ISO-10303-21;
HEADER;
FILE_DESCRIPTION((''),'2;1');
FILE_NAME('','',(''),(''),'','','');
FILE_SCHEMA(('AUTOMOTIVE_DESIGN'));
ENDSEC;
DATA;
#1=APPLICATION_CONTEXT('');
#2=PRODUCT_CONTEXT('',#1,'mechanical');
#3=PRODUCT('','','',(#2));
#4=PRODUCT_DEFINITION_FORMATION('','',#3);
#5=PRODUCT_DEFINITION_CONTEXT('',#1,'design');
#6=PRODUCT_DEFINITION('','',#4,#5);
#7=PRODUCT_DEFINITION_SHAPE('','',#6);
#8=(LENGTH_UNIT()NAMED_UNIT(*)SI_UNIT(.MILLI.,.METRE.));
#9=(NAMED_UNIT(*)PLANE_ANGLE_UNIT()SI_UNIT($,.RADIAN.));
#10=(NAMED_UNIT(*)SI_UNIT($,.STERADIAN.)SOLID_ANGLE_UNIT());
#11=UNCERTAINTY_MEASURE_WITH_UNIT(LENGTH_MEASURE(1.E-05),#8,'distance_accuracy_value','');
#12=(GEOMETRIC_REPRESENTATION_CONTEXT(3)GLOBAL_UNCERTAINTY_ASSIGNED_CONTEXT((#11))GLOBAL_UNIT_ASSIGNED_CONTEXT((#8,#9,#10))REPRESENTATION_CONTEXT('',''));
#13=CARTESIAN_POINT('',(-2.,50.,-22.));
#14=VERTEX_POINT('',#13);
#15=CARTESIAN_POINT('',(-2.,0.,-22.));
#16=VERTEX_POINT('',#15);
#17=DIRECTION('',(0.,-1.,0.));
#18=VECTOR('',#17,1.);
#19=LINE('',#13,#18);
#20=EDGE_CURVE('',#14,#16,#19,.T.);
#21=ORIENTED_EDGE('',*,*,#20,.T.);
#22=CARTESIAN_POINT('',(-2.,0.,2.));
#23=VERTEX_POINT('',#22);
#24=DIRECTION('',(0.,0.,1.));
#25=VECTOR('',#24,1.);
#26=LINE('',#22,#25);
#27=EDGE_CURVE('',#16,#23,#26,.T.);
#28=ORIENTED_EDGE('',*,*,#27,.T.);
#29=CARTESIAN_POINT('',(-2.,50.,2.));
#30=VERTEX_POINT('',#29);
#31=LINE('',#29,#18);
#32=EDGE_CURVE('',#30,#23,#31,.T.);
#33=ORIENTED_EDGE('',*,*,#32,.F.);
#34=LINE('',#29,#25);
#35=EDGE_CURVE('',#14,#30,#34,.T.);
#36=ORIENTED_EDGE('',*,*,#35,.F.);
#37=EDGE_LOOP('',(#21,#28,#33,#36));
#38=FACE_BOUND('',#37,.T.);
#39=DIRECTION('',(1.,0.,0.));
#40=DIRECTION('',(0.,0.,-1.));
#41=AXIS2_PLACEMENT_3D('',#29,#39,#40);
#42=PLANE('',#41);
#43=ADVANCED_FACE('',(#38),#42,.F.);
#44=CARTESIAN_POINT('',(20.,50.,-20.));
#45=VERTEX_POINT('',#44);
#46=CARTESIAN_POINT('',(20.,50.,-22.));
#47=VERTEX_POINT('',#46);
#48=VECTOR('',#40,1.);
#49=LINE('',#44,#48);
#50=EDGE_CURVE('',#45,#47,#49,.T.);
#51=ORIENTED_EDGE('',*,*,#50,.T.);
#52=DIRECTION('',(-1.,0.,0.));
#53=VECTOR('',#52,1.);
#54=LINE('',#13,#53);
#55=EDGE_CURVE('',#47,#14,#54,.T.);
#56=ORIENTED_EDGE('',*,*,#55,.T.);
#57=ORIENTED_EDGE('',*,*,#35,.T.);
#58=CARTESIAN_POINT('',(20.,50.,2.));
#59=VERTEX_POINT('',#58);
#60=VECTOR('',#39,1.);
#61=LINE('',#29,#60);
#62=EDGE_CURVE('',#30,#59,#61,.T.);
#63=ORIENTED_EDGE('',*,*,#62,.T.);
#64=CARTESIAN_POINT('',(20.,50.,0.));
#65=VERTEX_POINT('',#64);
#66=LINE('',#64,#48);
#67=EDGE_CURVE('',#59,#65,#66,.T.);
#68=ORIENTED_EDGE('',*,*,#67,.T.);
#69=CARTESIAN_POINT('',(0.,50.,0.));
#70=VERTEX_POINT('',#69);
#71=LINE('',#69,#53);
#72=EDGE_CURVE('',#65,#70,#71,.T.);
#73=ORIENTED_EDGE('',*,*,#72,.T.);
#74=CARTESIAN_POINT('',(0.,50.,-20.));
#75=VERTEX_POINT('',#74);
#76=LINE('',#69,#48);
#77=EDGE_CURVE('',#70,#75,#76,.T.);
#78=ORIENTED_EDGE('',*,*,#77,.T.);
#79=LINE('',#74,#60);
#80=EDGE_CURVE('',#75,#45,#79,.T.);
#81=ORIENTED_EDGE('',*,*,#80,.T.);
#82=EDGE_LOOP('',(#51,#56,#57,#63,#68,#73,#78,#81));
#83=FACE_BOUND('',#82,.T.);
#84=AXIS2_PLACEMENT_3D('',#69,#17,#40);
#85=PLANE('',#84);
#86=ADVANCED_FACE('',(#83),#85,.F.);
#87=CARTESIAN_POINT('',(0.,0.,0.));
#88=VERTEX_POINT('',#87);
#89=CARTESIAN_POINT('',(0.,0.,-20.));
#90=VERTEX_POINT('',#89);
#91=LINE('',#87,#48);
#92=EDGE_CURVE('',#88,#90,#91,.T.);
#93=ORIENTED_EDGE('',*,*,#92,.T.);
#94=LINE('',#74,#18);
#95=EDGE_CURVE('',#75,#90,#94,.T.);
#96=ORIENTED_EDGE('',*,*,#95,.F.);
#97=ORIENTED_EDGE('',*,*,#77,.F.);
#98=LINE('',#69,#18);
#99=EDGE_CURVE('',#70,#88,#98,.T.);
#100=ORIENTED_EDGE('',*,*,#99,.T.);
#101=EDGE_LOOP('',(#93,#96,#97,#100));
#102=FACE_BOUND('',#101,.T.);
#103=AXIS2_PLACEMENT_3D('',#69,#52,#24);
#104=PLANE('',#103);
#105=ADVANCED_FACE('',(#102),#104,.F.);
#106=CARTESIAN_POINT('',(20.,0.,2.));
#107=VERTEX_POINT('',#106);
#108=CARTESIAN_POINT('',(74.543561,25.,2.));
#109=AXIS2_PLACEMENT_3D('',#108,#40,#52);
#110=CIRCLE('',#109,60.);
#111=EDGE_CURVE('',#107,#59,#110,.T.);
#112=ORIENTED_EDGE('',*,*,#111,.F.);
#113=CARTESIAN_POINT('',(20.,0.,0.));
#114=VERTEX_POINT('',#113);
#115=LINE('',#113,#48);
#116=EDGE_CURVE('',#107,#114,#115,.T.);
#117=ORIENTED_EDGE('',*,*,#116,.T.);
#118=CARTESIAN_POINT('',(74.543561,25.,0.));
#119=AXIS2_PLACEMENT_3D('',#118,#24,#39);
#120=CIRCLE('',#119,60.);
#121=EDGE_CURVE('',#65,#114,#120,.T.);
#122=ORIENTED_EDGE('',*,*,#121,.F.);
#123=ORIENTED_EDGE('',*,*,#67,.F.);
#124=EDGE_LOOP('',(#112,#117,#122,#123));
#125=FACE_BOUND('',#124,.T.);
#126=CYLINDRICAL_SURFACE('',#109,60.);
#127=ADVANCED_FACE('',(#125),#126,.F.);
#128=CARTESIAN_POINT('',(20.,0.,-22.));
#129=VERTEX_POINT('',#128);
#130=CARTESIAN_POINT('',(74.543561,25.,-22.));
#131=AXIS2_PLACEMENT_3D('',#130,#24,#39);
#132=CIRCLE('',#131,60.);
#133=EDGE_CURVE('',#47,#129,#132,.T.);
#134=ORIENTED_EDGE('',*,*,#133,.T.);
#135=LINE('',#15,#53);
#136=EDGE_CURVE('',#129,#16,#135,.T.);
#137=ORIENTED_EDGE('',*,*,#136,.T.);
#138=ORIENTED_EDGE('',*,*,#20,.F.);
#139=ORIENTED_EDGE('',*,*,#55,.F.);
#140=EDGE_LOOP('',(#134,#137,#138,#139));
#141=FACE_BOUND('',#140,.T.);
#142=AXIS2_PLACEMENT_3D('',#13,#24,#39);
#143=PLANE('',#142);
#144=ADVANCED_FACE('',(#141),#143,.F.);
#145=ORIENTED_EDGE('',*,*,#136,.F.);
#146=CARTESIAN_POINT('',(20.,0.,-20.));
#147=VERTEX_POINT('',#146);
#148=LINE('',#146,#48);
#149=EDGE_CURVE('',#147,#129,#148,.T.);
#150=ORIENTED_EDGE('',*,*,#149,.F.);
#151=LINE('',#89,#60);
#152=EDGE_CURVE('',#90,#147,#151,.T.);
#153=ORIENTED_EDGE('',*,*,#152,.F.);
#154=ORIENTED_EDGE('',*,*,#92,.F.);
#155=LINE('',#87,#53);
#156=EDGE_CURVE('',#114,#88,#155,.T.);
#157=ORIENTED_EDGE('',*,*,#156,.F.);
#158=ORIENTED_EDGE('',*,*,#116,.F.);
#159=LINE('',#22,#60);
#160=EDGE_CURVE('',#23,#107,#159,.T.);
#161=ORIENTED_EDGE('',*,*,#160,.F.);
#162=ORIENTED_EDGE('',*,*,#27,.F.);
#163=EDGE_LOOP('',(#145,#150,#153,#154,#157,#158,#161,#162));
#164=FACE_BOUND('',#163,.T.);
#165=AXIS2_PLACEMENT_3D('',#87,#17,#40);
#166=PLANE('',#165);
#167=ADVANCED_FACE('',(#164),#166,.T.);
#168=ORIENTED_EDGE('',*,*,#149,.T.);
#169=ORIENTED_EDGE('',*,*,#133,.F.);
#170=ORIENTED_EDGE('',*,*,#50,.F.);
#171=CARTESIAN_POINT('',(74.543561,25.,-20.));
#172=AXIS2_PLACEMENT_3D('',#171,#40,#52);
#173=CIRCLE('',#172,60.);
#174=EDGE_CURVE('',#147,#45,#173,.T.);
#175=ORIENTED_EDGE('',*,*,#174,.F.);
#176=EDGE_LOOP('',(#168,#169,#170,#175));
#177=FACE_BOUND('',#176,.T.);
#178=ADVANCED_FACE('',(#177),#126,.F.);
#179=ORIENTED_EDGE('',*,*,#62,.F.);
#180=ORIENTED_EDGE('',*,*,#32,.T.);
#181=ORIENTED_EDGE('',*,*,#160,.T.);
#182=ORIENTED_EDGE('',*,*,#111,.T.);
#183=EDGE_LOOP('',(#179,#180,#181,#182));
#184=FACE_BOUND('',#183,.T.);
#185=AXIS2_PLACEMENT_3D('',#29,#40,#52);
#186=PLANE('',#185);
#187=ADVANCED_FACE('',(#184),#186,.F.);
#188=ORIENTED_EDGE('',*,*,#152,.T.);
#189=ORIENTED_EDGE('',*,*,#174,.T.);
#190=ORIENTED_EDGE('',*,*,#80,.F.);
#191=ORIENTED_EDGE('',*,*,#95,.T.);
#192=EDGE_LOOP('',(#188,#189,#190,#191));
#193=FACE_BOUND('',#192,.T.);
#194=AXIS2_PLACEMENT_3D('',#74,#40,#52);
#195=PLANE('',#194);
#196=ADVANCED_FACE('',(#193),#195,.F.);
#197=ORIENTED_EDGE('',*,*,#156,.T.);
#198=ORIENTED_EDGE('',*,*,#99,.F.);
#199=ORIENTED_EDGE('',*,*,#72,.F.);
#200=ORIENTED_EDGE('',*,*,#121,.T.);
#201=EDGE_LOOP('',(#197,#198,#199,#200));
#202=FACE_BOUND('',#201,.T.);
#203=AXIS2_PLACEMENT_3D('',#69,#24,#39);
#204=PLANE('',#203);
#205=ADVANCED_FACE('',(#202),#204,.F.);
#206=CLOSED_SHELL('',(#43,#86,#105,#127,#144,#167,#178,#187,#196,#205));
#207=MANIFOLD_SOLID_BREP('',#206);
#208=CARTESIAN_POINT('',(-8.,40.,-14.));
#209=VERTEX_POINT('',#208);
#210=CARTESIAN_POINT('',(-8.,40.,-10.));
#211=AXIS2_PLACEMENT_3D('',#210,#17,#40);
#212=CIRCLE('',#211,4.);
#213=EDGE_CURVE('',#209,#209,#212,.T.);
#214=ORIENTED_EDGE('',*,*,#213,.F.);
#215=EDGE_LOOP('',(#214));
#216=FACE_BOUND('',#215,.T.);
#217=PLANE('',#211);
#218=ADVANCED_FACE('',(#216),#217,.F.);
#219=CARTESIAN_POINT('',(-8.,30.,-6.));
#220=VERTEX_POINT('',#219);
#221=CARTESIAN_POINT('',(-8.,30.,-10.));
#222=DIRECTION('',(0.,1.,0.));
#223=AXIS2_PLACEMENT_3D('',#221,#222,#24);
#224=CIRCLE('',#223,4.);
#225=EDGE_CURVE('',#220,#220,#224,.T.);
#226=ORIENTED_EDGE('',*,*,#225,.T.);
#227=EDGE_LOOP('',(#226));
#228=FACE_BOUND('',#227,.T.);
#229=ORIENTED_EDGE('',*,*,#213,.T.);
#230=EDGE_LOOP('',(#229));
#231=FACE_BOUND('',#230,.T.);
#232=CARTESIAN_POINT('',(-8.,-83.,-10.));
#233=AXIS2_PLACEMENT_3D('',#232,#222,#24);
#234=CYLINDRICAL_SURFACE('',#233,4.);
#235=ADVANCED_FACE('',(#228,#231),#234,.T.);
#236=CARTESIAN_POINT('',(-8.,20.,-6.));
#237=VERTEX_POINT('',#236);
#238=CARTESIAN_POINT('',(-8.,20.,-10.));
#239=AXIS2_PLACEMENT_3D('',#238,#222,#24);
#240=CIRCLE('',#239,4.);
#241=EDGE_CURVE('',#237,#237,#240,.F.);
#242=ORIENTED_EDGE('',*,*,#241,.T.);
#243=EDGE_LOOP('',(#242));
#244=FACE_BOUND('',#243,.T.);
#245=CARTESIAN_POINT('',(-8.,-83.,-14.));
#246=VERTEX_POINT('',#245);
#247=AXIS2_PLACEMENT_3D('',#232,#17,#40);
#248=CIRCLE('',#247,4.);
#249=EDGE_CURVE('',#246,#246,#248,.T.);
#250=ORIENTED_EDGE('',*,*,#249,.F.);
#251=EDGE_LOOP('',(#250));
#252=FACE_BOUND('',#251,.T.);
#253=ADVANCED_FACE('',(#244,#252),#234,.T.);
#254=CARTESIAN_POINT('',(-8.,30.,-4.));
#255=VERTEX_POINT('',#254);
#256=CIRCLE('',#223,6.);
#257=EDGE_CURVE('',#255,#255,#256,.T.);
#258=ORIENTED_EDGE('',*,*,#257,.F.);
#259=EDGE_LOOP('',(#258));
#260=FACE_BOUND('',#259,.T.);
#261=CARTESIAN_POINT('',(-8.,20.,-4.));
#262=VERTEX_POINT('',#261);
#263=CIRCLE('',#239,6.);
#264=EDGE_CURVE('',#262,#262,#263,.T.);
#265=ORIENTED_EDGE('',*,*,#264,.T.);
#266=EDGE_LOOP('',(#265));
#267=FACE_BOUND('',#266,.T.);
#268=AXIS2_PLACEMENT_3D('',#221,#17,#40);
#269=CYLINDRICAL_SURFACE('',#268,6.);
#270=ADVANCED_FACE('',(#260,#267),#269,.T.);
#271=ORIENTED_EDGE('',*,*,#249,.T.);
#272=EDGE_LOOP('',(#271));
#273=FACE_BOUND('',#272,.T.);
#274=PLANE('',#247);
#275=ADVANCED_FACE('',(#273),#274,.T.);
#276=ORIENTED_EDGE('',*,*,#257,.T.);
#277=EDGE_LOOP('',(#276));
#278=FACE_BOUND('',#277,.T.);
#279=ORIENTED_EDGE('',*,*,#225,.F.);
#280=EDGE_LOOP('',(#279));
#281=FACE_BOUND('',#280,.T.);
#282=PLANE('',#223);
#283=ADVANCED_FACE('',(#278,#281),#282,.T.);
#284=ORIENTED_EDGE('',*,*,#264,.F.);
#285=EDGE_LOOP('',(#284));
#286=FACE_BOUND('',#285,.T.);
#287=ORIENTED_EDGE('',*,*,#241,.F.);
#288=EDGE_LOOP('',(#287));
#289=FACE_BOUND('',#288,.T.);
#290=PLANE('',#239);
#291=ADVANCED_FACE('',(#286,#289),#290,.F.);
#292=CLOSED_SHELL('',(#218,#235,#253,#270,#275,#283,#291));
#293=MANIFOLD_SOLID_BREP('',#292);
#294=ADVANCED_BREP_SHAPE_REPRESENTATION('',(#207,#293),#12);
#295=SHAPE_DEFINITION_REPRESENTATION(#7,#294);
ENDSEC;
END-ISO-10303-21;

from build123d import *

# Parameters (mm, degrees)
BOSS_EXTRUDE1_DEPTH     = 50
CUT_EXTRUDE1_DEPTH      = 59.957611892
CUT_EXTRUDE1_DEPTH_BACK = 59.957611892
SKETCH3_R               = 60
BOSS_EXTRUDE2_START     = -30
SKETCH4_R               = 6
SKETCH4_R_2             = 4
BOSS_EXTRUDE2_DEPTH     = 10
BOSS_EXTRUDE3_START     = -20
SKETCH5_R               = 4
BOSS_EXTRUDE3_DEPTH     = 123


with BuildPart() as part:
    # Sketch1 → Boss-Extrude1 (new body)
    with BuildSketch(Plane(origin=(0, 0, 0), x_dir=(1, 0, 0), z_dir=(0, 1, 0))):
        Polygon((0, 0), (0, 20), (20, 20), (20, 22), (-2, 22), (-2, -2), (20, -2), (20, 0), align=None)
    extrude(amount=BOSS_EXTRUDE1_DEPTH)

    # Sketch3 → Cut-Extrude1 (cut, two sides: drawn at the far end of the back side and taken through both)
    with BuildSketch(Plane(origin=(0, 0, -22), x_dir=(-1, 0, 0), z_dir=(0, 0, -1)).offset(-CUT_EXTRUDE1_DEPTH_BACK)):
        with Locations((-74.543560573, 25)):
            Circle(SKETCH3_R)
    extrude(amount=CUT_EXTRUDE1_DEPTH + CUT_EXTRUDE1_DEPTH_BACK, mode=Mode.SUBTRACT)


with BuildPart() as body_2:
    # Sketch4 → Boss-Extrude2 (new body)
    with BuildSketch(Plane(origin=(0, 50, 0), x_dir=(1, 0, 0), z_dir=(0, 1, 0)).offset(BOSS_EXTRUDE2_START)):
        with Locations(Location((-8, 10, 0), (0, 0, 270))):
            Circle(SKETCH4_R)
        with Locations(Location((-8, 10, 0), (0, 0, 270))):
            Circle(SKETCH4_R_2, mode=Mode.SUBTRACT)
    extrude(amount=BOSS_EXTRUDE2_DEPTH)

    # Sketch5 → Boss-Extrude3 (add)
    with BuildSketch(Plane.XZ.offset(-20).offset(BOSS_EXTRUDE3_START)):
        with Locations(Location((-8, -10, 0), (0, 0, 90))):
            Circle(SKETCH5_R)
    extrude(amount=BOSS_EXTRUDE3_DEPTH)


solid = Compound([part.part, body_2.part])
